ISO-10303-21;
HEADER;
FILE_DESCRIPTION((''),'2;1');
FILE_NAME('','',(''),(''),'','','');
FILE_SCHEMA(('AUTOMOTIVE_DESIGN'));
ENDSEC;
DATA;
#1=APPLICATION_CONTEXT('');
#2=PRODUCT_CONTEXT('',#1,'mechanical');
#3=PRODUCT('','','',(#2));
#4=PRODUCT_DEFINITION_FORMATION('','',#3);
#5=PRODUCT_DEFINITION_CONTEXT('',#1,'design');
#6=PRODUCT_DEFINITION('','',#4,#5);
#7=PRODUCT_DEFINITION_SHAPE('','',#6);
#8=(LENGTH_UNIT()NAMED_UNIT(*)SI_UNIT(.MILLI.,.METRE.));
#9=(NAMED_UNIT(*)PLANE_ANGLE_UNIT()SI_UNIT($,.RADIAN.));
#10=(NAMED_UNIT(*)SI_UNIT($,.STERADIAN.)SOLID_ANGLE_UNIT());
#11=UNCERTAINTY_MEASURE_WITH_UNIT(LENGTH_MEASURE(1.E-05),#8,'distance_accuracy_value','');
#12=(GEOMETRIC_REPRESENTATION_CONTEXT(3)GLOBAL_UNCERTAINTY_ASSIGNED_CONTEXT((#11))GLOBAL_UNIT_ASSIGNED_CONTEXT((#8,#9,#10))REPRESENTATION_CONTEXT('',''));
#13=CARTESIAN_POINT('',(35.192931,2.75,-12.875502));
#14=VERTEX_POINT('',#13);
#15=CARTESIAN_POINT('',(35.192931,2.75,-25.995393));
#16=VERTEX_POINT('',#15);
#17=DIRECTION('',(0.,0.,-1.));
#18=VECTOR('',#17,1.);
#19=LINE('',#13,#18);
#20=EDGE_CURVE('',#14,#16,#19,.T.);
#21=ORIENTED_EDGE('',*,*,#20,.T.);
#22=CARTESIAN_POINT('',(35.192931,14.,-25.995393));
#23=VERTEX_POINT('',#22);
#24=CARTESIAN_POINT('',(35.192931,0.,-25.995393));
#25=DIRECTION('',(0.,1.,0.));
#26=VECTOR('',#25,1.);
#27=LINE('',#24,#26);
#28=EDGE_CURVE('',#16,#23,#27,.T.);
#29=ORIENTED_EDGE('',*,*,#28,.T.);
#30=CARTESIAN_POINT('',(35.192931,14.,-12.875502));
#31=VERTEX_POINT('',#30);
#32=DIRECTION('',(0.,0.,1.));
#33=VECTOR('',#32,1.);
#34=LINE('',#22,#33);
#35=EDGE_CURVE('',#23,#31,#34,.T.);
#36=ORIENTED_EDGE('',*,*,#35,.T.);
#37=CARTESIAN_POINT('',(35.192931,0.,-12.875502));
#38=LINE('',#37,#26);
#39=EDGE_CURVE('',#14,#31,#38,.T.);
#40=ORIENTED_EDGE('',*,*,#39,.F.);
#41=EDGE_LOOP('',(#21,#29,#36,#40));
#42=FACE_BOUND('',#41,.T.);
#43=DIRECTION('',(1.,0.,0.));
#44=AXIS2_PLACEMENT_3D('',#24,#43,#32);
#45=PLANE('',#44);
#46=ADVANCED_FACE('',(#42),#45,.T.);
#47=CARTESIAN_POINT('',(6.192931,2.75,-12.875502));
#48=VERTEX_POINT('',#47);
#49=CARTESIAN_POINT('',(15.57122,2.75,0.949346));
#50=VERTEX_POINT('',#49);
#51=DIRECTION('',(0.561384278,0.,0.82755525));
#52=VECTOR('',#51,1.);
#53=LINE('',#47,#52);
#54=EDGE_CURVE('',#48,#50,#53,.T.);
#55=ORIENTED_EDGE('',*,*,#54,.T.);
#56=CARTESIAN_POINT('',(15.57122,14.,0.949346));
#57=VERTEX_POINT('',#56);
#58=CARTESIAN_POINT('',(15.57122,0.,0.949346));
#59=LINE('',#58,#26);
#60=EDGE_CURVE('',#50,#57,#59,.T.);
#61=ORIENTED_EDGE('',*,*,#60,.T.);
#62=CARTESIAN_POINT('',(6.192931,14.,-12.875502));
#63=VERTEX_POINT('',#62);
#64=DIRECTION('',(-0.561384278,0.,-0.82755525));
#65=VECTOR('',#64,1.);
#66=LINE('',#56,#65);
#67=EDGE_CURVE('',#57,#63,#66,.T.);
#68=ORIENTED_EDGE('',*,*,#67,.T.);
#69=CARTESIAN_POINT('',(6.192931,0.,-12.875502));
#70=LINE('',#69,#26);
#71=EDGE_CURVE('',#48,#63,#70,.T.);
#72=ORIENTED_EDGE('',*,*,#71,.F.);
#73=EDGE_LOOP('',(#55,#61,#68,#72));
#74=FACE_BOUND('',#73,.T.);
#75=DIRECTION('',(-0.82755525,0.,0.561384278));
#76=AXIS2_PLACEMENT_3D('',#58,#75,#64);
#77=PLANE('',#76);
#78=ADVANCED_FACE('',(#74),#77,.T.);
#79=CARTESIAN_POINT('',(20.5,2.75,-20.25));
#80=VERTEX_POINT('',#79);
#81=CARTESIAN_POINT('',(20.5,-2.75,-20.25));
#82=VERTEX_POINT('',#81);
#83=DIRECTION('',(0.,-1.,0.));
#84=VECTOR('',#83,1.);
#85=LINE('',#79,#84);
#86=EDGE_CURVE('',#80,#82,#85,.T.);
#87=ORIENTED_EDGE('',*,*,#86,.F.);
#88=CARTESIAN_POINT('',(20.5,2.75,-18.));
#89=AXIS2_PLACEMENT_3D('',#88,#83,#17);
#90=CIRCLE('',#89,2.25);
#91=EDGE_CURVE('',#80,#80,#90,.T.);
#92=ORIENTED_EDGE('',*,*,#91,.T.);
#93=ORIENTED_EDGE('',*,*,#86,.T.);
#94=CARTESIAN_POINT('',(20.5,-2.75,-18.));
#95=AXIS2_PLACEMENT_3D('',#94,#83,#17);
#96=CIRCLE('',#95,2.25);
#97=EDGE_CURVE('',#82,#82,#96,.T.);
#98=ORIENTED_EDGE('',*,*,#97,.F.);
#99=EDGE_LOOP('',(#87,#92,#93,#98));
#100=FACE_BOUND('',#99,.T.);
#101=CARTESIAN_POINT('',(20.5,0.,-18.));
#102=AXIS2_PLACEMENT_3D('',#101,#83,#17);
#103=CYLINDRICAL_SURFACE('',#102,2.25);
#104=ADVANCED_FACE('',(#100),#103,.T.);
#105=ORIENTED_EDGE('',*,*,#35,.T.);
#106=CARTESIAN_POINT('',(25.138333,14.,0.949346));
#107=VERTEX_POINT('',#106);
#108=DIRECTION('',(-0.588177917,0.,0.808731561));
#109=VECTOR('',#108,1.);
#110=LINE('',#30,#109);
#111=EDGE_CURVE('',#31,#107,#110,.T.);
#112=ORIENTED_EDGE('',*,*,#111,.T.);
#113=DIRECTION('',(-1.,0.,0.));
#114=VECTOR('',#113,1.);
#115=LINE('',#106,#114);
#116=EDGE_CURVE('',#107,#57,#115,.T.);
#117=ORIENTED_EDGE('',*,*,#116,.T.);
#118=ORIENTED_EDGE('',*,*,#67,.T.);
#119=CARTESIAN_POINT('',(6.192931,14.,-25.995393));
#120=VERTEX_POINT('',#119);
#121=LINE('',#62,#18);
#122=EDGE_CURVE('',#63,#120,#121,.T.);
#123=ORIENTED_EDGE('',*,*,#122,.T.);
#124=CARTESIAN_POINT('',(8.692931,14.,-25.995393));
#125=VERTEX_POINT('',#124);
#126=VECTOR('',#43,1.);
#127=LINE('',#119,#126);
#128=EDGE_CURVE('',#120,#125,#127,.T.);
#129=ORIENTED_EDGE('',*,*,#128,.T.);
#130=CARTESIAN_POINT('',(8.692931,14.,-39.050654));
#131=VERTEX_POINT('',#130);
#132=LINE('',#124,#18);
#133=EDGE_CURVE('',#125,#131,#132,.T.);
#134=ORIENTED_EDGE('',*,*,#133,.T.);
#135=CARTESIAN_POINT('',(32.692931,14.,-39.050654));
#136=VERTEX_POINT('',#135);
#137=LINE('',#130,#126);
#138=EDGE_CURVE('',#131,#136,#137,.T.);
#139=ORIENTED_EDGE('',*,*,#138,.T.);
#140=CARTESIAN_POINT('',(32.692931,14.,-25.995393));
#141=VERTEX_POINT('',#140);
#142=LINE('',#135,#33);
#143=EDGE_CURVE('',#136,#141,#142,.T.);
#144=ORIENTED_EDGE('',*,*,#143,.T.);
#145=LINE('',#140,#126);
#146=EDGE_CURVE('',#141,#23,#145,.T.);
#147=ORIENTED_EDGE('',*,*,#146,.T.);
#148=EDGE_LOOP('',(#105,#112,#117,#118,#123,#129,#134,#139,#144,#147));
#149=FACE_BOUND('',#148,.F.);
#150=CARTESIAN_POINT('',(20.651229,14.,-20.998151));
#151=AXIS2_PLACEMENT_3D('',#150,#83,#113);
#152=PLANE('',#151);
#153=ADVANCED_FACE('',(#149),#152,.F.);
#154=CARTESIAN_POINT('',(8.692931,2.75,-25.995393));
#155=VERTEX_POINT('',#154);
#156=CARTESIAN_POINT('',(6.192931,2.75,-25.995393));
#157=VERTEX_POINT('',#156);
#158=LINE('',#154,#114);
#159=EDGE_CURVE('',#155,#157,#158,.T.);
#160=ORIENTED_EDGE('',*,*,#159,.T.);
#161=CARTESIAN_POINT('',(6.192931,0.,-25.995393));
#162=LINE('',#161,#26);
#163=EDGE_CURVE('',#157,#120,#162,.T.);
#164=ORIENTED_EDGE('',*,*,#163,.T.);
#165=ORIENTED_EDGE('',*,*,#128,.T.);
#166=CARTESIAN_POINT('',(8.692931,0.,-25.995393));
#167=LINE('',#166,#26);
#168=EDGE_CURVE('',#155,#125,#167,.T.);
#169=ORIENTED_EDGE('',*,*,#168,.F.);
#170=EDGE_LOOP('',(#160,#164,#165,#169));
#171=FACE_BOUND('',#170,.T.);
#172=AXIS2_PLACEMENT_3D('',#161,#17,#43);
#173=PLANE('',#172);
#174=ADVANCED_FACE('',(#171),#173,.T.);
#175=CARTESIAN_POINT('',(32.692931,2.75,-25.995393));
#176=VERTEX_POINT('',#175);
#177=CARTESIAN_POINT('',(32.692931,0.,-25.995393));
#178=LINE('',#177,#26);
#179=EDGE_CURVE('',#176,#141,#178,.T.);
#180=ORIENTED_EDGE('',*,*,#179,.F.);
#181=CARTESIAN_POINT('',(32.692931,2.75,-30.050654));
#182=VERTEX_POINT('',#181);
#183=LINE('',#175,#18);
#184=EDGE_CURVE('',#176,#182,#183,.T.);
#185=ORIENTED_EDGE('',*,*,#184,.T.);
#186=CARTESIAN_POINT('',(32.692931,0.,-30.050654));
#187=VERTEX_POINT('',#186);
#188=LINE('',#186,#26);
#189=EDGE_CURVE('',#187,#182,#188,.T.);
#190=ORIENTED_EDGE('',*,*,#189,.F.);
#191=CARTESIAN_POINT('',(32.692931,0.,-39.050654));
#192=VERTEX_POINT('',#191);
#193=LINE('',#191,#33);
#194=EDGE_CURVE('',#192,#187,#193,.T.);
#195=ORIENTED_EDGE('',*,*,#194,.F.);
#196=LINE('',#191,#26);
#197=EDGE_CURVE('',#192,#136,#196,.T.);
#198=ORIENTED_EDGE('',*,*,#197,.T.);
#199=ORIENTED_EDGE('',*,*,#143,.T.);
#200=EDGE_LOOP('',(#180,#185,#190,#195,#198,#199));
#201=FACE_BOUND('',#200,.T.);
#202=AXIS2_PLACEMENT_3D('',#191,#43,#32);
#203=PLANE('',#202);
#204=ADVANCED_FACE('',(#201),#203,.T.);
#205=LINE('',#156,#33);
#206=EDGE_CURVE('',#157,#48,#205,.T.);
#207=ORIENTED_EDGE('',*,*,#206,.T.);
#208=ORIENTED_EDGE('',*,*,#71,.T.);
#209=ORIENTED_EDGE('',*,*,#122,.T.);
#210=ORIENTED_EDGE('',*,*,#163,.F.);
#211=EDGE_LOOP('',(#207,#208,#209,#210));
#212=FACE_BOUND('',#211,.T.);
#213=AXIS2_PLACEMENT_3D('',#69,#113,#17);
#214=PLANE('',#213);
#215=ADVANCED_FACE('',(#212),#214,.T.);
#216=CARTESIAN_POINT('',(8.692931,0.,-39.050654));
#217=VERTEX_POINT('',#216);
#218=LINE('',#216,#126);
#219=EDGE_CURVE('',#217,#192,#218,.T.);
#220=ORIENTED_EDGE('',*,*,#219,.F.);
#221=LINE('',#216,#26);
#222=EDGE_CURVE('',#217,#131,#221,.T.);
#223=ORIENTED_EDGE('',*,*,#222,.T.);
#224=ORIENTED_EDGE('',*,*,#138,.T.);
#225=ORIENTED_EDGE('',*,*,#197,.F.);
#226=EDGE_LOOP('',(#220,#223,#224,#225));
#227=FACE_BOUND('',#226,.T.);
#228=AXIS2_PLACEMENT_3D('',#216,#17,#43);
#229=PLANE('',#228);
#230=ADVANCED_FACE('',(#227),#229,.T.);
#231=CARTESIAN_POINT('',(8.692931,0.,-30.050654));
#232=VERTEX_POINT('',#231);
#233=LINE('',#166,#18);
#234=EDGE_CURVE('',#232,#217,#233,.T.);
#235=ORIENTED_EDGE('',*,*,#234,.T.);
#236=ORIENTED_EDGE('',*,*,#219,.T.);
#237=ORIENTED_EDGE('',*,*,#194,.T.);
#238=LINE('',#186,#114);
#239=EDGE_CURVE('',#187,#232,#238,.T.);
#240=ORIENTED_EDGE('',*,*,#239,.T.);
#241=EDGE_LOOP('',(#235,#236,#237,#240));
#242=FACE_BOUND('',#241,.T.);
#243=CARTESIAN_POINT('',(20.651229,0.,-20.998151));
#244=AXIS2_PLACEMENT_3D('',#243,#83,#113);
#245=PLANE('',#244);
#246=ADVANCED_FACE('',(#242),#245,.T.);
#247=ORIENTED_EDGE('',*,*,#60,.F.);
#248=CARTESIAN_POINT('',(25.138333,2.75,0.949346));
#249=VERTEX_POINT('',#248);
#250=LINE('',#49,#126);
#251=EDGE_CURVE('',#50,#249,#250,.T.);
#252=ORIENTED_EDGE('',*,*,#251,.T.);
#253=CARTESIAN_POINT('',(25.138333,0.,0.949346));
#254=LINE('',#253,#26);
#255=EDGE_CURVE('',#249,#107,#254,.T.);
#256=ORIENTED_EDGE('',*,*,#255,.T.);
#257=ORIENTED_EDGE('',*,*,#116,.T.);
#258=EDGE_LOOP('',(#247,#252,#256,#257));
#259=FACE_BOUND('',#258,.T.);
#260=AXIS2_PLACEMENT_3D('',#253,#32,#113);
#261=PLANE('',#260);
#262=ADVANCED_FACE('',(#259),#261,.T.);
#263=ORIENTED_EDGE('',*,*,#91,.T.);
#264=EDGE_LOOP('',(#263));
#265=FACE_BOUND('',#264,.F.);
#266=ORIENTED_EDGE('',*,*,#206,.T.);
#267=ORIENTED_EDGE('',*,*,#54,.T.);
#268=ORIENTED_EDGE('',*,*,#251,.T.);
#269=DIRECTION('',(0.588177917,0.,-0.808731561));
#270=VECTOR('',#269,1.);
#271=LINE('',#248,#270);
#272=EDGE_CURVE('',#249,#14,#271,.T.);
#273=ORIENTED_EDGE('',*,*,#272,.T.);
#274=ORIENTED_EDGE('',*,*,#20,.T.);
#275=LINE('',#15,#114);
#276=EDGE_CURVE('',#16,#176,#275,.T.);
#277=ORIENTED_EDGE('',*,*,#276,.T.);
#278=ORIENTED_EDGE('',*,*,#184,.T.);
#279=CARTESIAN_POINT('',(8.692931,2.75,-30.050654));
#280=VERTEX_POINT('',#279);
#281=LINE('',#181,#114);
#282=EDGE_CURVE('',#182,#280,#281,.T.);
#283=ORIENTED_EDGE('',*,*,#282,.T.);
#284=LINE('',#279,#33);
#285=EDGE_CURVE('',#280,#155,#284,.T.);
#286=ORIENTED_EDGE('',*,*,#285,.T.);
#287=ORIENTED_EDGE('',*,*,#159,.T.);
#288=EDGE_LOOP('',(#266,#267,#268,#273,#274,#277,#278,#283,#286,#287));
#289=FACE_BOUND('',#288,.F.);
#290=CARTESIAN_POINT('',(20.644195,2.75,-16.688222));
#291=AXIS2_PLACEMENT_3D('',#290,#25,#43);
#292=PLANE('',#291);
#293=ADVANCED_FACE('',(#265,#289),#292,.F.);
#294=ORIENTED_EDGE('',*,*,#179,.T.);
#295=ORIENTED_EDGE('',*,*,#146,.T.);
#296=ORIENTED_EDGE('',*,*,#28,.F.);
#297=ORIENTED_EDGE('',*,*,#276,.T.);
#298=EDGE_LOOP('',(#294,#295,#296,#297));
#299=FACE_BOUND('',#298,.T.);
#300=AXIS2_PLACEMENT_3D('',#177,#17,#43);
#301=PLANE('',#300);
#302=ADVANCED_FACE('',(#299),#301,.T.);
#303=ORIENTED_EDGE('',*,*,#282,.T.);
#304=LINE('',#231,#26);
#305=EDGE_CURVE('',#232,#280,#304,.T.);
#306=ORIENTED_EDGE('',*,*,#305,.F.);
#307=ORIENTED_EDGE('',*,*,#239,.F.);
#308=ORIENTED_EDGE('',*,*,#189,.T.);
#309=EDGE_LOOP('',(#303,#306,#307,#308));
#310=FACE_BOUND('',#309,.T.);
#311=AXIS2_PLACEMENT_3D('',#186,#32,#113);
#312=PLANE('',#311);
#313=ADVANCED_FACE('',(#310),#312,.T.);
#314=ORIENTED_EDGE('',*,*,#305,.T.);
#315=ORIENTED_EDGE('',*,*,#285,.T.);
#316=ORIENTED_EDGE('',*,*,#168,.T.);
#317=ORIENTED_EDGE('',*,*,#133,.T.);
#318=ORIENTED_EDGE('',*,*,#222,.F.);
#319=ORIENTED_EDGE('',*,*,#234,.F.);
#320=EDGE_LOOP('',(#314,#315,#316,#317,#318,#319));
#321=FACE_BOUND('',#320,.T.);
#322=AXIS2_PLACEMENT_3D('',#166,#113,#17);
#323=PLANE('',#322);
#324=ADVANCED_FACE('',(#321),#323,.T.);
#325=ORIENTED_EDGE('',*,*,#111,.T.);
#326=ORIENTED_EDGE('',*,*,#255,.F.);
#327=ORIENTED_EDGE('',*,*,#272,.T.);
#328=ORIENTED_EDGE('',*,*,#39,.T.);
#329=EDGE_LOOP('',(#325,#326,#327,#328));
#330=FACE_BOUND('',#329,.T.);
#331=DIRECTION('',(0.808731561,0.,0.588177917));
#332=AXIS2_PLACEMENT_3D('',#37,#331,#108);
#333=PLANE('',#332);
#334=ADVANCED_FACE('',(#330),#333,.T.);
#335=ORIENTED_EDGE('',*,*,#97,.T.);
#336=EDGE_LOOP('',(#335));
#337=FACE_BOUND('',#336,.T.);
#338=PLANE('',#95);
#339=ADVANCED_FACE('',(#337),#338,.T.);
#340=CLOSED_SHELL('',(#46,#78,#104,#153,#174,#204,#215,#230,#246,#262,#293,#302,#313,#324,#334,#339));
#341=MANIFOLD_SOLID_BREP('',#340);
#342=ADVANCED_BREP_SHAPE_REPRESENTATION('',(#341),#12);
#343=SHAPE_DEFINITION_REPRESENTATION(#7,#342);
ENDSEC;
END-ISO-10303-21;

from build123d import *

# Parameters (mm, degrees)
BOSS_EXTRUDE1_DEPTH = 14
SKETCH2_R           = 2.25
BOSS_EXTRUDE2_DEPTH = 2.75
SKETCH4_R           = 2.25
CUT_EXTRUDE1_DEPTH  = 2.75


with BuildPart() as part:
    # Sketch1 → Boss-Extrude1 (new body)
    with BuildSketch(Plane(origin=(0, 0, 0), x_dir=(1, 0, 0), z_dir=(0, 1, 0))):
        Polygon((8.692930554, 39.050653624), (32.692930554, 39.050653624), (32.692930554, 25.995392605), (35.192930554, 25.995392605), (35.192930554, 12.875501581), (25.138333129, -0.949346376), (15.571219536, -0.949346376), (6.192930554, 12.875501581), (6.192930554, 25.995392605), (8.692930554, 25.995392605), align=None)
    extrude(amount=BOSS_EXTRUDE1_DEPTH)

    # Sketch2 → Boss-Extrude2 (add)
    with BuildSketch(Plane.XZ):
        with Locations(Location((20.5, -18, 0), (0, 0, 270))):
            Circle(SKETCH2_R)
    extrude(amount=BOSS_EXTRUDE2_DEPTH)

    # Sketch4 → Cut-Extrude1 (cut)
    with BuildSketch(Plane(origin=(0, 0, 0), x_dir=(-1, 0, 0), z_dir=(0, -1, 0))):
        Polygon((-8.692930554, 30.050653624), (-8.692930554, 25.995392605), (-6.192930554, 25.995392605), (-6.192930554, 12.875501581), (-15.571219536, -0.949346376), (-25.138333129, -0.949346376), (-35.192930554, 12.875501581), (-35.192930554, 25.995392605), (-32.692930554, 25.995392605), (-32.692930554, 30.050653624), align=None)
        with Locations(Location((-20.5, 18, 0), (0, 0, 90))):
            Circle(SKETCH4_R, mode=Mode.SUBTRACT)
    extrude(amount=-CUT_EXTRUDE1_DEPTH, mode=Mode.SUBTRACT)


solid = part.part
